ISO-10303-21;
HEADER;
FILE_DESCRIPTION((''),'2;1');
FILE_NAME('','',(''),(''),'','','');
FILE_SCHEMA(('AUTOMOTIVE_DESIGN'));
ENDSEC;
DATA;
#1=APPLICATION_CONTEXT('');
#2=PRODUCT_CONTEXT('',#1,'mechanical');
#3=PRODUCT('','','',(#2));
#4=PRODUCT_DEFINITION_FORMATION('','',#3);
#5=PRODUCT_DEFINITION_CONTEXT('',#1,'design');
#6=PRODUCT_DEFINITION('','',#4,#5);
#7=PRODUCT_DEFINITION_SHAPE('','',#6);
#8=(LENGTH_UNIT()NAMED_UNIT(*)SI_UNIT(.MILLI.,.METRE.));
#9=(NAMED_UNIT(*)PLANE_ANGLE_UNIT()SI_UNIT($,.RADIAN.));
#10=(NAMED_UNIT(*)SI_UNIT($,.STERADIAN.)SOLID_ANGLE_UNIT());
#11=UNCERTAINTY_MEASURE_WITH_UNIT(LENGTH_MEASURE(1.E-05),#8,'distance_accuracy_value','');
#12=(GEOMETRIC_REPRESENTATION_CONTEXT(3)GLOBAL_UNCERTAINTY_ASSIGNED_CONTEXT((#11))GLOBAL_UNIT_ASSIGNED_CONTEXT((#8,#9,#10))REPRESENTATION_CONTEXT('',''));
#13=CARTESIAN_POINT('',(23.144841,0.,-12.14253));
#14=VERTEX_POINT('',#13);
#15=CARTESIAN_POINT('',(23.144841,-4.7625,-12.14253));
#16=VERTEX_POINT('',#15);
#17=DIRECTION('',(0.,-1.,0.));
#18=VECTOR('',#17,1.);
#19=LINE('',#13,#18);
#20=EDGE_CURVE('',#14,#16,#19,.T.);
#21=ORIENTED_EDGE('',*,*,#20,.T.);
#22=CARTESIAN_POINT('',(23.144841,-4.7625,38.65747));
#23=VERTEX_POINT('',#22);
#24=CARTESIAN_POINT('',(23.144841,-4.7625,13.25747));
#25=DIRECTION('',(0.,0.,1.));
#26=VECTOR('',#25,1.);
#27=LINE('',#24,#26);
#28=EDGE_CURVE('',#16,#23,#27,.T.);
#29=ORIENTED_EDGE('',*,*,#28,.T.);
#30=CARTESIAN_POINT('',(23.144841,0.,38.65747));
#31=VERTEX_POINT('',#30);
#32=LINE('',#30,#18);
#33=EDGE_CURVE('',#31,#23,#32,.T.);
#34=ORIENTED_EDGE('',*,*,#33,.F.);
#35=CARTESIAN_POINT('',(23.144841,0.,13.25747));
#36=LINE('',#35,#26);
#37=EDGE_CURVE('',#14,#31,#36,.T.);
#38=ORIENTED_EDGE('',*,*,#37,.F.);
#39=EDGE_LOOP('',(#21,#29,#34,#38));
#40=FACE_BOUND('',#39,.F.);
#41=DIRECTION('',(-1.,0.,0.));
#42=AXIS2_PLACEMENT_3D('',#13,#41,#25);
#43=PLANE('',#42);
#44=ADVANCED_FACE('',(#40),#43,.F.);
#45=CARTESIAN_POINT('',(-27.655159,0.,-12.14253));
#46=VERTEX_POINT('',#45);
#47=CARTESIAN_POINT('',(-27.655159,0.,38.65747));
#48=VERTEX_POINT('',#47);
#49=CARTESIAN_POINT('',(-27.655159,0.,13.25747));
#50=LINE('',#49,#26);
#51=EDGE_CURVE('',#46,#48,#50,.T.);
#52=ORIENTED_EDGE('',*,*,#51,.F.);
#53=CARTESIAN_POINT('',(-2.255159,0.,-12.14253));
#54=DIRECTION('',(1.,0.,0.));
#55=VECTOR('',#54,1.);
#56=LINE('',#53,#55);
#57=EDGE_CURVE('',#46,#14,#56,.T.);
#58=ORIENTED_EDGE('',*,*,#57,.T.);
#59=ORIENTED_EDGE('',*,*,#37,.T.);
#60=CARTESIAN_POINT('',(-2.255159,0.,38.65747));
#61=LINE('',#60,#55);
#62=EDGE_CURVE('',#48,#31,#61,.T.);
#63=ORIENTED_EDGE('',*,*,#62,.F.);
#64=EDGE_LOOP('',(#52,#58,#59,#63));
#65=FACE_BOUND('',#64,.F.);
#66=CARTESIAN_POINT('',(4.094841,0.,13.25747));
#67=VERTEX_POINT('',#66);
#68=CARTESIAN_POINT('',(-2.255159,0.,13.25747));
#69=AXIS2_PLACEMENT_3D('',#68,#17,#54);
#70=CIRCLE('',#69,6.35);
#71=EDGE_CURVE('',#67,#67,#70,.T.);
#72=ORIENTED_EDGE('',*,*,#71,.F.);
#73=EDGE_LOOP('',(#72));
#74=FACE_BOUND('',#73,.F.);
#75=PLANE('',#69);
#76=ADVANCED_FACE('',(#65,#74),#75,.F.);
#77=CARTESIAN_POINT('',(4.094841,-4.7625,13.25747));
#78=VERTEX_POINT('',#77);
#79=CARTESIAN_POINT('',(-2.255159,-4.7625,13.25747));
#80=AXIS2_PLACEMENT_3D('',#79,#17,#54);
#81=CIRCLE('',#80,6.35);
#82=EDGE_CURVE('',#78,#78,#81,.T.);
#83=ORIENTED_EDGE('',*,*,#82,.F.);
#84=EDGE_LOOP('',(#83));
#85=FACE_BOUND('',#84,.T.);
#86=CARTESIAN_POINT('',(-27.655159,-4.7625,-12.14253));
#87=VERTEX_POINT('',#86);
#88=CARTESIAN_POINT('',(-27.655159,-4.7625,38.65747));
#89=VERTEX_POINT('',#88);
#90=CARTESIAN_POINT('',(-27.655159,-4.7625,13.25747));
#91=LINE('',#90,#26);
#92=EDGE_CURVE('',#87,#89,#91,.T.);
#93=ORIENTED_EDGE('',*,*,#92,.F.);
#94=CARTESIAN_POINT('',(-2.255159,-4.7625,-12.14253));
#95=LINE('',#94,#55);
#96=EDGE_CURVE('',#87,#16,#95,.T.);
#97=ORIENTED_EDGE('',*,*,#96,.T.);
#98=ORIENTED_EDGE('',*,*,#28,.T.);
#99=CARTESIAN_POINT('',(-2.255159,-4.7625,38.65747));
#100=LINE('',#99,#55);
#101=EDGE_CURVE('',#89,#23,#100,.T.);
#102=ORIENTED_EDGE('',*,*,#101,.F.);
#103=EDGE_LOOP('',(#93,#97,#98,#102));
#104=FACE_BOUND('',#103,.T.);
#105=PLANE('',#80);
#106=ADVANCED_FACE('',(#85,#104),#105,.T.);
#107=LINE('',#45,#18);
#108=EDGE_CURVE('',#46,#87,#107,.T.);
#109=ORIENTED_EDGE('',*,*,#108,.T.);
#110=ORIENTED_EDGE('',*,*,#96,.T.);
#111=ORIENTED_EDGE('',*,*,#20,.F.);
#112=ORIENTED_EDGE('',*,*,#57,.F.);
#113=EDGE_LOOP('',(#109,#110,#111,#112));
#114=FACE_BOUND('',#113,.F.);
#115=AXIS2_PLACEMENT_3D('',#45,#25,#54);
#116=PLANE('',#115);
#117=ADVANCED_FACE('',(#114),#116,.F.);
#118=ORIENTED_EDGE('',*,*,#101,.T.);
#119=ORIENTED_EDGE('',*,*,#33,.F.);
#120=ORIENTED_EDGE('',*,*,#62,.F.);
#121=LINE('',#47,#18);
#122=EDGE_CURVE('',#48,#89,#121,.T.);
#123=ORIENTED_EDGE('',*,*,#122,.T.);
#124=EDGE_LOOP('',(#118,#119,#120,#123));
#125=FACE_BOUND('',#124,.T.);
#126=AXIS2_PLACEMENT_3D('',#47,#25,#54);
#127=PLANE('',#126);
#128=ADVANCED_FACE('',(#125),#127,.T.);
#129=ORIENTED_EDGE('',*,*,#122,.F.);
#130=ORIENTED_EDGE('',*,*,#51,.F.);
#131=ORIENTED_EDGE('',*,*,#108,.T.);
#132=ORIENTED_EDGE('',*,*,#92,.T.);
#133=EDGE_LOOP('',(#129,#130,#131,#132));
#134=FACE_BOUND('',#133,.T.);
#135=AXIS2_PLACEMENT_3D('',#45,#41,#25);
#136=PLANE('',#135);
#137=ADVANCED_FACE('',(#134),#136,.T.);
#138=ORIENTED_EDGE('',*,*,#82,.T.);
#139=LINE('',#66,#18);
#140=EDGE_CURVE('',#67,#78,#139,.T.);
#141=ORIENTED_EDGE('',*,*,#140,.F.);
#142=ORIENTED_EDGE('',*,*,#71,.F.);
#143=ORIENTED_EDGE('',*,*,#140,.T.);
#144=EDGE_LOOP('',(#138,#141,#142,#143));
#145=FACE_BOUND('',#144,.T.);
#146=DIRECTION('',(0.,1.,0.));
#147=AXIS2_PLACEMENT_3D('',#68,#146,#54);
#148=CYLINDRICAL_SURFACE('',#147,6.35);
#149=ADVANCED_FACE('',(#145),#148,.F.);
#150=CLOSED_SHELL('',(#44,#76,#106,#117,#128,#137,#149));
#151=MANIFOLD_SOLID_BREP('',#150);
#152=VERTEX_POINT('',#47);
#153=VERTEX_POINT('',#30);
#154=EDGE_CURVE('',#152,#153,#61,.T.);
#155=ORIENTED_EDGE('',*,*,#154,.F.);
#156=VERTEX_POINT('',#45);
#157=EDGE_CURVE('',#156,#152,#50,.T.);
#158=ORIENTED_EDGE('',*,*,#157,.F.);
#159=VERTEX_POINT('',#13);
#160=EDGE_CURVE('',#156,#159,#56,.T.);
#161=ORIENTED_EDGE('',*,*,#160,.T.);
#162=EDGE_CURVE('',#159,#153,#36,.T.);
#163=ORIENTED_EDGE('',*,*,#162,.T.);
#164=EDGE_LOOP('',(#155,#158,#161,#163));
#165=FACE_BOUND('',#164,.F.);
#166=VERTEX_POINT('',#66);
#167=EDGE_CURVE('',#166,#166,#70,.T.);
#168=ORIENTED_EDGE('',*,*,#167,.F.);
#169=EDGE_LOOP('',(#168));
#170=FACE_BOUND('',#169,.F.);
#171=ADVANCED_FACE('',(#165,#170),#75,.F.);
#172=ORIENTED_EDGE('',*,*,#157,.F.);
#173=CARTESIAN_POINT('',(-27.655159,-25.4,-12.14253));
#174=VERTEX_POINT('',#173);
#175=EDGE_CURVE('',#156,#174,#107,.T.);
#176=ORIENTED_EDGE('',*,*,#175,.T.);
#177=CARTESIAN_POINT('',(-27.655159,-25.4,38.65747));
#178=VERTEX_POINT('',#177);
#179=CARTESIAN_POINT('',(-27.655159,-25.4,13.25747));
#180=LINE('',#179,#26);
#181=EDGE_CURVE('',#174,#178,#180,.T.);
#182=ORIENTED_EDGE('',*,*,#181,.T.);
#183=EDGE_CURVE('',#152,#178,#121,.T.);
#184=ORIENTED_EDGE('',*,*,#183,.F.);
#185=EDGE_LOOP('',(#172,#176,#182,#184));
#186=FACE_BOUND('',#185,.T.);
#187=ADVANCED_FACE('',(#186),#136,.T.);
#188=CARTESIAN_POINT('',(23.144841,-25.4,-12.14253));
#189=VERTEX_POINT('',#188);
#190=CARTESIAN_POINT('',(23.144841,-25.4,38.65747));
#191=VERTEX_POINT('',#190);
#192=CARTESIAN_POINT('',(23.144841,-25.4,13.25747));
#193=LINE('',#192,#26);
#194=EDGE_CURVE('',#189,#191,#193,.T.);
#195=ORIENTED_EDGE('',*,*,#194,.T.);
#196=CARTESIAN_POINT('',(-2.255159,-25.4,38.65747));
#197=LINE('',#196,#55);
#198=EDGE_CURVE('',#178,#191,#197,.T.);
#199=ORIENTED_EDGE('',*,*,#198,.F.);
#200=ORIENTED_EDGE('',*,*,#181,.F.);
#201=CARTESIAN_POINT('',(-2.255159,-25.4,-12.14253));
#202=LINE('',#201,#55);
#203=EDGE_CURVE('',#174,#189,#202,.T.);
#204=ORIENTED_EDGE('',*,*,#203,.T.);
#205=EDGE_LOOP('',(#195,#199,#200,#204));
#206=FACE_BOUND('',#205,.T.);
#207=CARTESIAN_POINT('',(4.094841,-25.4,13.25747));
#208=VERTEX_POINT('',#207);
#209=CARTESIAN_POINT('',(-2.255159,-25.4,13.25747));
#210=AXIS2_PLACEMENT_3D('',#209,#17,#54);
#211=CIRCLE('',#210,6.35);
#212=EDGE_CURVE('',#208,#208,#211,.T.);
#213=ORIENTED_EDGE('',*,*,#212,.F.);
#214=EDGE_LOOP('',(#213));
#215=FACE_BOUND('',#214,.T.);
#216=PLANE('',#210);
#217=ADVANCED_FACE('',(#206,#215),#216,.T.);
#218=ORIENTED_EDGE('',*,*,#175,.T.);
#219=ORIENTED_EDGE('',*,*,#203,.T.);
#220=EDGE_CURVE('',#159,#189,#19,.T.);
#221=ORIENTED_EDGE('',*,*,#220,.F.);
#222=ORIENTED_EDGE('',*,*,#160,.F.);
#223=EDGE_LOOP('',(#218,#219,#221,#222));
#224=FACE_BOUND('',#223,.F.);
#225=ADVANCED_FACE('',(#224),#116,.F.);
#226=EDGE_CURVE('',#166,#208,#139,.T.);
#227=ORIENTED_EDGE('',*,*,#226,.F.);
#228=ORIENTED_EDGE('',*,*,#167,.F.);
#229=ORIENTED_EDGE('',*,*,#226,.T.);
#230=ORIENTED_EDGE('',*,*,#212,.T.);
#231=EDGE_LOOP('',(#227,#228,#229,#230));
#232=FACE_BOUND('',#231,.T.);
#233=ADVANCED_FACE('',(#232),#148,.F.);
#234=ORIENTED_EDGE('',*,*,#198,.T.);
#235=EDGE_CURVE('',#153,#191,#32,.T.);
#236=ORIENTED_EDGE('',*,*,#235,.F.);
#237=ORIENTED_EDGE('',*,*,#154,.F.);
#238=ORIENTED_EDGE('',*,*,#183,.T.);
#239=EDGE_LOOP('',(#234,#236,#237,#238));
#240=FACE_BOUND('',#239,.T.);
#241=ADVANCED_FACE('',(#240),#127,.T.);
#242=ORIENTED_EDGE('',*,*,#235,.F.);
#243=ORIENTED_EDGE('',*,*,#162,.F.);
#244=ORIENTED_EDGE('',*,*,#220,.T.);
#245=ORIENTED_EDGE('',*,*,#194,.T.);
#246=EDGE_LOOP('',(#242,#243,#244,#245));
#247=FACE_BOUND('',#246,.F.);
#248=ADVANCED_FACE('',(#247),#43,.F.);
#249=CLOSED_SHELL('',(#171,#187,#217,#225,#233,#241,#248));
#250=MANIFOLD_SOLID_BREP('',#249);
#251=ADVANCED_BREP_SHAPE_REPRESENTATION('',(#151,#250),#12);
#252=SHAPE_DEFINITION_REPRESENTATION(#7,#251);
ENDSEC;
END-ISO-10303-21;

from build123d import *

# Parameters (mm, degrees)
F0_W     = 50.8
F0_H     = 50.8
F0_R     = 6.35
F1_DEPTH = 4.7625
F2_DEPTH = 25.4


with BuildPart() as f1:
    # F0 (on Front) → F1 (new body)
    with BuildSketch(Plane.XZ):
        with Locations((-2.255159, 13.25747)):
            Rectangle(F0_W, F0_H)
        with Locations((-2.255159, 13.25747)):
            Circle(F0_R, mode=Mode.SUBTRACT)
    extrude(amount=F1_DEPTH)


with BuildPart() as f2:
    # F0 (on Front) → F2 (new body)
    with BuildSketch(Plane.XZ):
        with Locations((-2.255159, 13.25747)):
            Rectangle(F0_W, F0_H)
        with Locations((-2.255159, 13.25747)):
            Circle(F0_R, mode=Mode.SUBTRACT)
    extrude(amount=F2_DEPTH)


solid = Compound([f1.part, f2.part])
